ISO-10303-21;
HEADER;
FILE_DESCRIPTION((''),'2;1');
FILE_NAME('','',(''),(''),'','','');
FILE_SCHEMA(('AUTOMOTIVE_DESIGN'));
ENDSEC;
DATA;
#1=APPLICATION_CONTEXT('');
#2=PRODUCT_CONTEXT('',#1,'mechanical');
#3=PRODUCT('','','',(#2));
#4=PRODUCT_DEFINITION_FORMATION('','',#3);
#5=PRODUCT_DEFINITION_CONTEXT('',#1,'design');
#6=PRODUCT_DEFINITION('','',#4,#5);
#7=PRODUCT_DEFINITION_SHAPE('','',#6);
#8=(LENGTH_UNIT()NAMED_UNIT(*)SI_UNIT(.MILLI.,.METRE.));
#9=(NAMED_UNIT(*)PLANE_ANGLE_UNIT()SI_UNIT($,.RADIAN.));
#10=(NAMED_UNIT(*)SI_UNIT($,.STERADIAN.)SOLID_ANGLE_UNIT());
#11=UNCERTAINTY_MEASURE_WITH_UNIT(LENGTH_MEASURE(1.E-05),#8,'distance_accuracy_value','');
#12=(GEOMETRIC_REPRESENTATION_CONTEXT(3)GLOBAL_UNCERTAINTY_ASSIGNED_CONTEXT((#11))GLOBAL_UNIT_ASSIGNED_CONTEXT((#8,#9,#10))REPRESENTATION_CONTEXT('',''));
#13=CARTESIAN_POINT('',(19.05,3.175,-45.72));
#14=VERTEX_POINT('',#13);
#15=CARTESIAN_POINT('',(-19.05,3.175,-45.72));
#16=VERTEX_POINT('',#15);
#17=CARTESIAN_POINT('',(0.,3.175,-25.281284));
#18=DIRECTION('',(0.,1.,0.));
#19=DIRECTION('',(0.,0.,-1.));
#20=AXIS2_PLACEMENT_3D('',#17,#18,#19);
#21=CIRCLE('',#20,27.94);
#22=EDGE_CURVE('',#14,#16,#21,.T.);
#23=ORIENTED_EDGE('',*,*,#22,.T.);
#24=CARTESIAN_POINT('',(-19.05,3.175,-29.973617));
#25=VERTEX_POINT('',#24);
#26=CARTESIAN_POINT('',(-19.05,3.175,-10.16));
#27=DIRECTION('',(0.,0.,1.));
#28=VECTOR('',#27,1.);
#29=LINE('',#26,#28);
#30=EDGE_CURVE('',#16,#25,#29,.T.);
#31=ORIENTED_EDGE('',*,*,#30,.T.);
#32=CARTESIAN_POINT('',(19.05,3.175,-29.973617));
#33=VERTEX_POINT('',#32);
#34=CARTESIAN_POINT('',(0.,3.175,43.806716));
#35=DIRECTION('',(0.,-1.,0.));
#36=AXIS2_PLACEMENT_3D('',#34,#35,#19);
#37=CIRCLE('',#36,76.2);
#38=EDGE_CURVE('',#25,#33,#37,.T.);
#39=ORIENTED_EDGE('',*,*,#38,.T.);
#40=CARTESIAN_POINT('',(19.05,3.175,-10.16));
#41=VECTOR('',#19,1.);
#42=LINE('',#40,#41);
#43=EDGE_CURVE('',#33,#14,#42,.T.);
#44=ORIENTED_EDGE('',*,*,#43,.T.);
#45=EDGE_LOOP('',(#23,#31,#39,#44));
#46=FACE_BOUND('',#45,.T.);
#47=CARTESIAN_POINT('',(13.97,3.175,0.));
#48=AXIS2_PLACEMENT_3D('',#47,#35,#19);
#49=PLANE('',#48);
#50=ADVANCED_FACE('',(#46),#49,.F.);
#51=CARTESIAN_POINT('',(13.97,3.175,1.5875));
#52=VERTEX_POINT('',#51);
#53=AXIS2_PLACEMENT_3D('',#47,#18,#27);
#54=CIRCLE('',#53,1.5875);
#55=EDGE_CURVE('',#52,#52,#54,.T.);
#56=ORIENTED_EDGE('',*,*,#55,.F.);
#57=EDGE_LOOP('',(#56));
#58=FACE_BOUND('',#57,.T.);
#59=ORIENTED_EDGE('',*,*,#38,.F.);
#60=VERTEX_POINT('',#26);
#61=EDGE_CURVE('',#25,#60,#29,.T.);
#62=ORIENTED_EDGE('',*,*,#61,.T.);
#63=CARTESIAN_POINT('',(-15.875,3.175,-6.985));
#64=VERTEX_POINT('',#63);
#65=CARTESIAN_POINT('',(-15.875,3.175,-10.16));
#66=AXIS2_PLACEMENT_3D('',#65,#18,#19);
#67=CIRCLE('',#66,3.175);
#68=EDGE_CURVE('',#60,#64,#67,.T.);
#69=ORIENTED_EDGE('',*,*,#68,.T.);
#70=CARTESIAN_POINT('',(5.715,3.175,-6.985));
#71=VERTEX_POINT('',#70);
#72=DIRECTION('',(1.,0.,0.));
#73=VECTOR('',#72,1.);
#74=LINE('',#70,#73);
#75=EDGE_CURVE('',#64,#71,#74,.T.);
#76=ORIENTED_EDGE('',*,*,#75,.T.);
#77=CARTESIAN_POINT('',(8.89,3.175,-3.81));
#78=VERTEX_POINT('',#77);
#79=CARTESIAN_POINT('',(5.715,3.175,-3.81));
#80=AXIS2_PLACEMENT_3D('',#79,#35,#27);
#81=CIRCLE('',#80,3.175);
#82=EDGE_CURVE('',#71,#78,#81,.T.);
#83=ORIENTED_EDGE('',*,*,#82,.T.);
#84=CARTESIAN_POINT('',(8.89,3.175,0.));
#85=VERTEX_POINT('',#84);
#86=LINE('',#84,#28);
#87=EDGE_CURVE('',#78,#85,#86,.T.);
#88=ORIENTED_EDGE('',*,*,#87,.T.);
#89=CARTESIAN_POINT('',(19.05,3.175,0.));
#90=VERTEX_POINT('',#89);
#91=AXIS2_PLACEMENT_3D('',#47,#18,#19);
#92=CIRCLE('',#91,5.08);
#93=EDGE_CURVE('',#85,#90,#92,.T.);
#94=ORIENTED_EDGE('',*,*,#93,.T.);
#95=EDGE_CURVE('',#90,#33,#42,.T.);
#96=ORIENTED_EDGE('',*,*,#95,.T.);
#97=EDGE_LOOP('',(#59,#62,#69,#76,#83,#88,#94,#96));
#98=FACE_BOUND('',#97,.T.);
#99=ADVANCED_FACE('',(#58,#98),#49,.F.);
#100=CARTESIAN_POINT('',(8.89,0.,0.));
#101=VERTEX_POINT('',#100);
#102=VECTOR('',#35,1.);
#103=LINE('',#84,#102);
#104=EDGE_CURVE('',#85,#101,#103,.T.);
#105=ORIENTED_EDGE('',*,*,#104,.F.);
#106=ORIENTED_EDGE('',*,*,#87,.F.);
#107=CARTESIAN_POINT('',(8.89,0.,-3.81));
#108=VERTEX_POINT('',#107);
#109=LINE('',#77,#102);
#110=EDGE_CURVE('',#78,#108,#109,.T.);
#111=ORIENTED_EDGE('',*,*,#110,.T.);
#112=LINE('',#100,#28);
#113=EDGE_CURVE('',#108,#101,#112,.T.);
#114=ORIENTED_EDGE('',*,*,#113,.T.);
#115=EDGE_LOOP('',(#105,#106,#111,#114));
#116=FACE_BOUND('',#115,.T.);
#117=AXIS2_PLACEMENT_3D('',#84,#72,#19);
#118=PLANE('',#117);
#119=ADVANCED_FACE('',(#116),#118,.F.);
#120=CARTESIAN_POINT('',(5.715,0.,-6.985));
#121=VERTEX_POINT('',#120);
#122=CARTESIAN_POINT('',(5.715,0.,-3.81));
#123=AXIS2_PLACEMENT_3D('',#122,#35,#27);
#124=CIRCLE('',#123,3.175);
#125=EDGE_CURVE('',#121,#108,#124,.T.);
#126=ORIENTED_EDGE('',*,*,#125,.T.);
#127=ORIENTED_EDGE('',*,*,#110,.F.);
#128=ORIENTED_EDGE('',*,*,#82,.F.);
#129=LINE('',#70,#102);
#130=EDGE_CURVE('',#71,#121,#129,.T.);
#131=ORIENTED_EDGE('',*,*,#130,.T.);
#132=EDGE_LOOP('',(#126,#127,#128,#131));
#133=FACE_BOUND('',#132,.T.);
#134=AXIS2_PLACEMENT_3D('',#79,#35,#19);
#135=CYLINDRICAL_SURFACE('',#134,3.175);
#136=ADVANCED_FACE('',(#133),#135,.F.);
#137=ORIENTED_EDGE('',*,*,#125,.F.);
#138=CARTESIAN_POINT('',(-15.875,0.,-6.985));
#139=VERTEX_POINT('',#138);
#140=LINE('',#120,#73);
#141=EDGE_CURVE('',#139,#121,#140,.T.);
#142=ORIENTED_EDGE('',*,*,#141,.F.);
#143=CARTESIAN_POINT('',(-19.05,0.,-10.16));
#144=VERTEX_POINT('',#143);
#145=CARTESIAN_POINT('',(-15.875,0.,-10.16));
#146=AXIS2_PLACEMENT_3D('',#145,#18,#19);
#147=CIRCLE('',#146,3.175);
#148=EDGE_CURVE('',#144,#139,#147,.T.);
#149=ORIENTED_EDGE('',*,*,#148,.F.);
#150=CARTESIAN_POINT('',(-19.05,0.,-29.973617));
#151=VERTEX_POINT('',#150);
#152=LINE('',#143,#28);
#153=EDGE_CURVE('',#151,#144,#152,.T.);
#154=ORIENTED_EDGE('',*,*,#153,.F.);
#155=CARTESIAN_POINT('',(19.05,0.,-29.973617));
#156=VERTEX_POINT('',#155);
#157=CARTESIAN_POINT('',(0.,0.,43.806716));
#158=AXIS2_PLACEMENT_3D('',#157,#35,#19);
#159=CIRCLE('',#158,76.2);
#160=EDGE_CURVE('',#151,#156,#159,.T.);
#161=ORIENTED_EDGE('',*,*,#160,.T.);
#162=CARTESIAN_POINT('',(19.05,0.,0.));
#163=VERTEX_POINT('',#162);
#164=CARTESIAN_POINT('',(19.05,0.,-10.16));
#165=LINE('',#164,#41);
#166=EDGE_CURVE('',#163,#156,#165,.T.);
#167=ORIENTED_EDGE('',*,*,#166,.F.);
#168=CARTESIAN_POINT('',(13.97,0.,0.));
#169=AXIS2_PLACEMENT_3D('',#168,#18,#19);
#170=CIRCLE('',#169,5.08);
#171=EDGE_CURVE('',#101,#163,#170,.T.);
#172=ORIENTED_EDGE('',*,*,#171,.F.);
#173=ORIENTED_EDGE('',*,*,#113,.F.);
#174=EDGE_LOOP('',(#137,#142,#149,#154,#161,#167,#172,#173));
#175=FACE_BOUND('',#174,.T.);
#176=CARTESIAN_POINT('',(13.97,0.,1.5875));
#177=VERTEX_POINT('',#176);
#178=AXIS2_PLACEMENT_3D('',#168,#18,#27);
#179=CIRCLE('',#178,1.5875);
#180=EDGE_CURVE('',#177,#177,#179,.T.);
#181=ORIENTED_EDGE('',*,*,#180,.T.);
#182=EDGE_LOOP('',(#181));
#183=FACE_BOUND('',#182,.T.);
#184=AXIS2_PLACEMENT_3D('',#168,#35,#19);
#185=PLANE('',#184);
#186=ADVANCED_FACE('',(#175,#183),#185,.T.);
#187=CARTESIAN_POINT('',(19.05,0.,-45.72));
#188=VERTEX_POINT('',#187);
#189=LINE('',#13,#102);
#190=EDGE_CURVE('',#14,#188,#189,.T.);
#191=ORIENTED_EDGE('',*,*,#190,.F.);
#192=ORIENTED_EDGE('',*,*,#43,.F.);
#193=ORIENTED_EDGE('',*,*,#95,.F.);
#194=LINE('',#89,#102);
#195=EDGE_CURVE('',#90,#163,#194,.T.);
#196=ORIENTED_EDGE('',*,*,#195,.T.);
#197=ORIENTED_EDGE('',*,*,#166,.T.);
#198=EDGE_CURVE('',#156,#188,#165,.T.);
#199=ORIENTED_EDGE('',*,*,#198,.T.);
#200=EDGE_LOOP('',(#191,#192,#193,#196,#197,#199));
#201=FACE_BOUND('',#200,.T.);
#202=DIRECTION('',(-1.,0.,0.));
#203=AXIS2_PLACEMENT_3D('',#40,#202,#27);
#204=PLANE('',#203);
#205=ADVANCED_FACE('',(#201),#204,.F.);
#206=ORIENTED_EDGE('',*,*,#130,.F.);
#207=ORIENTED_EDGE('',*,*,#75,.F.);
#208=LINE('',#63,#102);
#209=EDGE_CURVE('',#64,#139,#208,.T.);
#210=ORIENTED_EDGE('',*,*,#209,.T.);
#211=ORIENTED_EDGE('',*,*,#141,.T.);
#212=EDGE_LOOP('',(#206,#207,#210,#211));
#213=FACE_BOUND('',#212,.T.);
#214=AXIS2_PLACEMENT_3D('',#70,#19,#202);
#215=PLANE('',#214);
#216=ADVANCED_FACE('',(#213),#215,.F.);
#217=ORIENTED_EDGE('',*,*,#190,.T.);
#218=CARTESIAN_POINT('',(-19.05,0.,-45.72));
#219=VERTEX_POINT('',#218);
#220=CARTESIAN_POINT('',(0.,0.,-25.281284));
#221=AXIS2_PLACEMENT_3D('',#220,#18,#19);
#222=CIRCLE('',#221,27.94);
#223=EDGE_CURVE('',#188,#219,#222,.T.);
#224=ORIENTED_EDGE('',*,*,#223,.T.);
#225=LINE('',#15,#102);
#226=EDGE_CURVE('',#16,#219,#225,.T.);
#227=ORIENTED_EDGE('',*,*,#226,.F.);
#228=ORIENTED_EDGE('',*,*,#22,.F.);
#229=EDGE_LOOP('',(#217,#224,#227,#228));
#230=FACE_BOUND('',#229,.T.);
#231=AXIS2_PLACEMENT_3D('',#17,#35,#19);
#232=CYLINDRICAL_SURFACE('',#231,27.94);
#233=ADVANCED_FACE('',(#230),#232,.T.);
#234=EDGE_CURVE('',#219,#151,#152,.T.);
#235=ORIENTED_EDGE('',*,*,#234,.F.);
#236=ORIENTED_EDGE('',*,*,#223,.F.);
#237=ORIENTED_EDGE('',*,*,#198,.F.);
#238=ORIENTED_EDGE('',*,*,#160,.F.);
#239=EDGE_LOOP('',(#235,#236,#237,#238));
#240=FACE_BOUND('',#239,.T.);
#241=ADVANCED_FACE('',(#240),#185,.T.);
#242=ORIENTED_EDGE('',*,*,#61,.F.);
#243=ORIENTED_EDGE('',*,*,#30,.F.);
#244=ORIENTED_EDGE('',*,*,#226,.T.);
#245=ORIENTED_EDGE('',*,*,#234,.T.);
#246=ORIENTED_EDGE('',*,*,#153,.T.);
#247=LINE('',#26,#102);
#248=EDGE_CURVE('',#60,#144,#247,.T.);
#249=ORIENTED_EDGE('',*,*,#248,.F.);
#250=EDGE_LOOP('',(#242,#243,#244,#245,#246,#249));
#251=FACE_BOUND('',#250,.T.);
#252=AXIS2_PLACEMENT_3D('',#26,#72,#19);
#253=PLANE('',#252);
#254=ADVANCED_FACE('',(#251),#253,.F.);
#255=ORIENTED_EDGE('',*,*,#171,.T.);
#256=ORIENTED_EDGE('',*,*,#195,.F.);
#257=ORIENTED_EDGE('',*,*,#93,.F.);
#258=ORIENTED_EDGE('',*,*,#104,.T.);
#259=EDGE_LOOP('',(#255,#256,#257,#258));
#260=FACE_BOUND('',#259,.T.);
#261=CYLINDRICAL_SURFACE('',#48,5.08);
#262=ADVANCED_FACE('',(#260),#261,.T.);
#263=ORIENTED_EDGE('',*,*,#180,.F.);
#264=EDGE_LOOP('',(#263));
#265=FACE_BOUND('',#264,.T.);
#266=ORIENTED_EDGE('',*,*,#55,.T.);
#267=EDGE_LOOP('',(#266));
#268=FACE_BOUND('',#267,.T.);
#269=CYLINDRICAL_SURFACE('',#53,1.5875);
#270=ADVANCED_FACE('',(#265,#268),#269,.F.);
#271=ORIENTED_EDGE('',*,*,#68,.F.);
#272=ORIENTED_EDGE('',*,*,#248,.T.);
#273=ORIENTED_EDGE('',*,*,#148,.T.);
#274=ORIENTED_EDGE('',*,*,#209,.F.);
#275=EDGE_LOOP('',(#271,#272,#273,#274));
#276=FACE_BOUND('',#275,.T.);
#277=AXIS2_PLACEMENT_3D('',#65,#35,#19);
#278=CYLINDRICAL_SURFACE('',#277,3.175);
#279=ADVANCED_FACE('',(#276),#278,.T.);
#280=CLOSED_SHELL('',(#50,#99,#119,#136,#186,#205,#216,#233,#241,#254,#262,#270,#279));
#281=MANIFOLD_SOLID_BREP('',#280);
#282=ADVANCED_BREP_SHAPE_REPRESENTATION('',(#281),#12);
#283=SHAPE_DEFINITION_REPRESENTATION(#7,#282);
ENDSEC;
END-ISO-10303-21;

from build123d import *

# Parameters (mm, degrees)
BOSS_EXTRUDE1_DEPTH        = 3.175
F_1_8_0_1250_DOWEL_HOLE1_D = 3.175
F_1_8_0_1250_DOWEL_HOLE2_D = 3.175


with BuildPart() as part:
    # Sketch1 → Boss-Extrude1 (new body)
    with BuildSketch(Plane(origin=(0, 0, 0), x_dir=(1, 0, 0), z_dir=(0, 1, 0))):
        with BuildLine():
            Line((-19.05, 10.16), (-19.05, 45.72))
            ThreePointArc((-19.05, 45.72), (0, 53.221284287), (19.05, 45.72))
            Line((19.05, 45.72), (19.05, 10.16))
            Line((19.05, 10.16), (19.05, 0))
            ThreePointArc((19.05, 0), (13.97, -5.08), (8.89, 0))
            Line((8.89, 0), (8.89, 3.81))
            ThreePointArc((8.89, 3.81), (7.96006403, 6.05506403), (5.715, 6.985))
            Line((5.715, 6.985), (-15.875, 6.985))
            ThreePointArc((-15.875, 6.985), (-18.12006403, 7.91493597), (-19.05, 10.16))
        make_face()
    extrude(amount=BOSS_EXTRUDE1_DEPTH)

    # 1/8 (0.1250) Dowel Hole1 (through all)
    with Locations(Plane(origin=(0, 3.175, 0), x_dir=(1, 0, 0), z_dir=(0, 1, 0))):
        with Locations((13.97, 0)):
            Hole(F_1_8_0_1250_DOWEL_HOLE1_D / 2)

    # 1/8 (0.1250) Dowel Hole2 (through all)
    with Locations(Plane(origin=(0, 3.175, 0), x_dir=(1, 0, 0), z_dir=(0, 1, 0))):
        with Locations((-16.306687583, 55.676687583)):
            Hole(F_1_8_0_1250_DOWEL_HOLE2_D / 2)


solid = part.part
